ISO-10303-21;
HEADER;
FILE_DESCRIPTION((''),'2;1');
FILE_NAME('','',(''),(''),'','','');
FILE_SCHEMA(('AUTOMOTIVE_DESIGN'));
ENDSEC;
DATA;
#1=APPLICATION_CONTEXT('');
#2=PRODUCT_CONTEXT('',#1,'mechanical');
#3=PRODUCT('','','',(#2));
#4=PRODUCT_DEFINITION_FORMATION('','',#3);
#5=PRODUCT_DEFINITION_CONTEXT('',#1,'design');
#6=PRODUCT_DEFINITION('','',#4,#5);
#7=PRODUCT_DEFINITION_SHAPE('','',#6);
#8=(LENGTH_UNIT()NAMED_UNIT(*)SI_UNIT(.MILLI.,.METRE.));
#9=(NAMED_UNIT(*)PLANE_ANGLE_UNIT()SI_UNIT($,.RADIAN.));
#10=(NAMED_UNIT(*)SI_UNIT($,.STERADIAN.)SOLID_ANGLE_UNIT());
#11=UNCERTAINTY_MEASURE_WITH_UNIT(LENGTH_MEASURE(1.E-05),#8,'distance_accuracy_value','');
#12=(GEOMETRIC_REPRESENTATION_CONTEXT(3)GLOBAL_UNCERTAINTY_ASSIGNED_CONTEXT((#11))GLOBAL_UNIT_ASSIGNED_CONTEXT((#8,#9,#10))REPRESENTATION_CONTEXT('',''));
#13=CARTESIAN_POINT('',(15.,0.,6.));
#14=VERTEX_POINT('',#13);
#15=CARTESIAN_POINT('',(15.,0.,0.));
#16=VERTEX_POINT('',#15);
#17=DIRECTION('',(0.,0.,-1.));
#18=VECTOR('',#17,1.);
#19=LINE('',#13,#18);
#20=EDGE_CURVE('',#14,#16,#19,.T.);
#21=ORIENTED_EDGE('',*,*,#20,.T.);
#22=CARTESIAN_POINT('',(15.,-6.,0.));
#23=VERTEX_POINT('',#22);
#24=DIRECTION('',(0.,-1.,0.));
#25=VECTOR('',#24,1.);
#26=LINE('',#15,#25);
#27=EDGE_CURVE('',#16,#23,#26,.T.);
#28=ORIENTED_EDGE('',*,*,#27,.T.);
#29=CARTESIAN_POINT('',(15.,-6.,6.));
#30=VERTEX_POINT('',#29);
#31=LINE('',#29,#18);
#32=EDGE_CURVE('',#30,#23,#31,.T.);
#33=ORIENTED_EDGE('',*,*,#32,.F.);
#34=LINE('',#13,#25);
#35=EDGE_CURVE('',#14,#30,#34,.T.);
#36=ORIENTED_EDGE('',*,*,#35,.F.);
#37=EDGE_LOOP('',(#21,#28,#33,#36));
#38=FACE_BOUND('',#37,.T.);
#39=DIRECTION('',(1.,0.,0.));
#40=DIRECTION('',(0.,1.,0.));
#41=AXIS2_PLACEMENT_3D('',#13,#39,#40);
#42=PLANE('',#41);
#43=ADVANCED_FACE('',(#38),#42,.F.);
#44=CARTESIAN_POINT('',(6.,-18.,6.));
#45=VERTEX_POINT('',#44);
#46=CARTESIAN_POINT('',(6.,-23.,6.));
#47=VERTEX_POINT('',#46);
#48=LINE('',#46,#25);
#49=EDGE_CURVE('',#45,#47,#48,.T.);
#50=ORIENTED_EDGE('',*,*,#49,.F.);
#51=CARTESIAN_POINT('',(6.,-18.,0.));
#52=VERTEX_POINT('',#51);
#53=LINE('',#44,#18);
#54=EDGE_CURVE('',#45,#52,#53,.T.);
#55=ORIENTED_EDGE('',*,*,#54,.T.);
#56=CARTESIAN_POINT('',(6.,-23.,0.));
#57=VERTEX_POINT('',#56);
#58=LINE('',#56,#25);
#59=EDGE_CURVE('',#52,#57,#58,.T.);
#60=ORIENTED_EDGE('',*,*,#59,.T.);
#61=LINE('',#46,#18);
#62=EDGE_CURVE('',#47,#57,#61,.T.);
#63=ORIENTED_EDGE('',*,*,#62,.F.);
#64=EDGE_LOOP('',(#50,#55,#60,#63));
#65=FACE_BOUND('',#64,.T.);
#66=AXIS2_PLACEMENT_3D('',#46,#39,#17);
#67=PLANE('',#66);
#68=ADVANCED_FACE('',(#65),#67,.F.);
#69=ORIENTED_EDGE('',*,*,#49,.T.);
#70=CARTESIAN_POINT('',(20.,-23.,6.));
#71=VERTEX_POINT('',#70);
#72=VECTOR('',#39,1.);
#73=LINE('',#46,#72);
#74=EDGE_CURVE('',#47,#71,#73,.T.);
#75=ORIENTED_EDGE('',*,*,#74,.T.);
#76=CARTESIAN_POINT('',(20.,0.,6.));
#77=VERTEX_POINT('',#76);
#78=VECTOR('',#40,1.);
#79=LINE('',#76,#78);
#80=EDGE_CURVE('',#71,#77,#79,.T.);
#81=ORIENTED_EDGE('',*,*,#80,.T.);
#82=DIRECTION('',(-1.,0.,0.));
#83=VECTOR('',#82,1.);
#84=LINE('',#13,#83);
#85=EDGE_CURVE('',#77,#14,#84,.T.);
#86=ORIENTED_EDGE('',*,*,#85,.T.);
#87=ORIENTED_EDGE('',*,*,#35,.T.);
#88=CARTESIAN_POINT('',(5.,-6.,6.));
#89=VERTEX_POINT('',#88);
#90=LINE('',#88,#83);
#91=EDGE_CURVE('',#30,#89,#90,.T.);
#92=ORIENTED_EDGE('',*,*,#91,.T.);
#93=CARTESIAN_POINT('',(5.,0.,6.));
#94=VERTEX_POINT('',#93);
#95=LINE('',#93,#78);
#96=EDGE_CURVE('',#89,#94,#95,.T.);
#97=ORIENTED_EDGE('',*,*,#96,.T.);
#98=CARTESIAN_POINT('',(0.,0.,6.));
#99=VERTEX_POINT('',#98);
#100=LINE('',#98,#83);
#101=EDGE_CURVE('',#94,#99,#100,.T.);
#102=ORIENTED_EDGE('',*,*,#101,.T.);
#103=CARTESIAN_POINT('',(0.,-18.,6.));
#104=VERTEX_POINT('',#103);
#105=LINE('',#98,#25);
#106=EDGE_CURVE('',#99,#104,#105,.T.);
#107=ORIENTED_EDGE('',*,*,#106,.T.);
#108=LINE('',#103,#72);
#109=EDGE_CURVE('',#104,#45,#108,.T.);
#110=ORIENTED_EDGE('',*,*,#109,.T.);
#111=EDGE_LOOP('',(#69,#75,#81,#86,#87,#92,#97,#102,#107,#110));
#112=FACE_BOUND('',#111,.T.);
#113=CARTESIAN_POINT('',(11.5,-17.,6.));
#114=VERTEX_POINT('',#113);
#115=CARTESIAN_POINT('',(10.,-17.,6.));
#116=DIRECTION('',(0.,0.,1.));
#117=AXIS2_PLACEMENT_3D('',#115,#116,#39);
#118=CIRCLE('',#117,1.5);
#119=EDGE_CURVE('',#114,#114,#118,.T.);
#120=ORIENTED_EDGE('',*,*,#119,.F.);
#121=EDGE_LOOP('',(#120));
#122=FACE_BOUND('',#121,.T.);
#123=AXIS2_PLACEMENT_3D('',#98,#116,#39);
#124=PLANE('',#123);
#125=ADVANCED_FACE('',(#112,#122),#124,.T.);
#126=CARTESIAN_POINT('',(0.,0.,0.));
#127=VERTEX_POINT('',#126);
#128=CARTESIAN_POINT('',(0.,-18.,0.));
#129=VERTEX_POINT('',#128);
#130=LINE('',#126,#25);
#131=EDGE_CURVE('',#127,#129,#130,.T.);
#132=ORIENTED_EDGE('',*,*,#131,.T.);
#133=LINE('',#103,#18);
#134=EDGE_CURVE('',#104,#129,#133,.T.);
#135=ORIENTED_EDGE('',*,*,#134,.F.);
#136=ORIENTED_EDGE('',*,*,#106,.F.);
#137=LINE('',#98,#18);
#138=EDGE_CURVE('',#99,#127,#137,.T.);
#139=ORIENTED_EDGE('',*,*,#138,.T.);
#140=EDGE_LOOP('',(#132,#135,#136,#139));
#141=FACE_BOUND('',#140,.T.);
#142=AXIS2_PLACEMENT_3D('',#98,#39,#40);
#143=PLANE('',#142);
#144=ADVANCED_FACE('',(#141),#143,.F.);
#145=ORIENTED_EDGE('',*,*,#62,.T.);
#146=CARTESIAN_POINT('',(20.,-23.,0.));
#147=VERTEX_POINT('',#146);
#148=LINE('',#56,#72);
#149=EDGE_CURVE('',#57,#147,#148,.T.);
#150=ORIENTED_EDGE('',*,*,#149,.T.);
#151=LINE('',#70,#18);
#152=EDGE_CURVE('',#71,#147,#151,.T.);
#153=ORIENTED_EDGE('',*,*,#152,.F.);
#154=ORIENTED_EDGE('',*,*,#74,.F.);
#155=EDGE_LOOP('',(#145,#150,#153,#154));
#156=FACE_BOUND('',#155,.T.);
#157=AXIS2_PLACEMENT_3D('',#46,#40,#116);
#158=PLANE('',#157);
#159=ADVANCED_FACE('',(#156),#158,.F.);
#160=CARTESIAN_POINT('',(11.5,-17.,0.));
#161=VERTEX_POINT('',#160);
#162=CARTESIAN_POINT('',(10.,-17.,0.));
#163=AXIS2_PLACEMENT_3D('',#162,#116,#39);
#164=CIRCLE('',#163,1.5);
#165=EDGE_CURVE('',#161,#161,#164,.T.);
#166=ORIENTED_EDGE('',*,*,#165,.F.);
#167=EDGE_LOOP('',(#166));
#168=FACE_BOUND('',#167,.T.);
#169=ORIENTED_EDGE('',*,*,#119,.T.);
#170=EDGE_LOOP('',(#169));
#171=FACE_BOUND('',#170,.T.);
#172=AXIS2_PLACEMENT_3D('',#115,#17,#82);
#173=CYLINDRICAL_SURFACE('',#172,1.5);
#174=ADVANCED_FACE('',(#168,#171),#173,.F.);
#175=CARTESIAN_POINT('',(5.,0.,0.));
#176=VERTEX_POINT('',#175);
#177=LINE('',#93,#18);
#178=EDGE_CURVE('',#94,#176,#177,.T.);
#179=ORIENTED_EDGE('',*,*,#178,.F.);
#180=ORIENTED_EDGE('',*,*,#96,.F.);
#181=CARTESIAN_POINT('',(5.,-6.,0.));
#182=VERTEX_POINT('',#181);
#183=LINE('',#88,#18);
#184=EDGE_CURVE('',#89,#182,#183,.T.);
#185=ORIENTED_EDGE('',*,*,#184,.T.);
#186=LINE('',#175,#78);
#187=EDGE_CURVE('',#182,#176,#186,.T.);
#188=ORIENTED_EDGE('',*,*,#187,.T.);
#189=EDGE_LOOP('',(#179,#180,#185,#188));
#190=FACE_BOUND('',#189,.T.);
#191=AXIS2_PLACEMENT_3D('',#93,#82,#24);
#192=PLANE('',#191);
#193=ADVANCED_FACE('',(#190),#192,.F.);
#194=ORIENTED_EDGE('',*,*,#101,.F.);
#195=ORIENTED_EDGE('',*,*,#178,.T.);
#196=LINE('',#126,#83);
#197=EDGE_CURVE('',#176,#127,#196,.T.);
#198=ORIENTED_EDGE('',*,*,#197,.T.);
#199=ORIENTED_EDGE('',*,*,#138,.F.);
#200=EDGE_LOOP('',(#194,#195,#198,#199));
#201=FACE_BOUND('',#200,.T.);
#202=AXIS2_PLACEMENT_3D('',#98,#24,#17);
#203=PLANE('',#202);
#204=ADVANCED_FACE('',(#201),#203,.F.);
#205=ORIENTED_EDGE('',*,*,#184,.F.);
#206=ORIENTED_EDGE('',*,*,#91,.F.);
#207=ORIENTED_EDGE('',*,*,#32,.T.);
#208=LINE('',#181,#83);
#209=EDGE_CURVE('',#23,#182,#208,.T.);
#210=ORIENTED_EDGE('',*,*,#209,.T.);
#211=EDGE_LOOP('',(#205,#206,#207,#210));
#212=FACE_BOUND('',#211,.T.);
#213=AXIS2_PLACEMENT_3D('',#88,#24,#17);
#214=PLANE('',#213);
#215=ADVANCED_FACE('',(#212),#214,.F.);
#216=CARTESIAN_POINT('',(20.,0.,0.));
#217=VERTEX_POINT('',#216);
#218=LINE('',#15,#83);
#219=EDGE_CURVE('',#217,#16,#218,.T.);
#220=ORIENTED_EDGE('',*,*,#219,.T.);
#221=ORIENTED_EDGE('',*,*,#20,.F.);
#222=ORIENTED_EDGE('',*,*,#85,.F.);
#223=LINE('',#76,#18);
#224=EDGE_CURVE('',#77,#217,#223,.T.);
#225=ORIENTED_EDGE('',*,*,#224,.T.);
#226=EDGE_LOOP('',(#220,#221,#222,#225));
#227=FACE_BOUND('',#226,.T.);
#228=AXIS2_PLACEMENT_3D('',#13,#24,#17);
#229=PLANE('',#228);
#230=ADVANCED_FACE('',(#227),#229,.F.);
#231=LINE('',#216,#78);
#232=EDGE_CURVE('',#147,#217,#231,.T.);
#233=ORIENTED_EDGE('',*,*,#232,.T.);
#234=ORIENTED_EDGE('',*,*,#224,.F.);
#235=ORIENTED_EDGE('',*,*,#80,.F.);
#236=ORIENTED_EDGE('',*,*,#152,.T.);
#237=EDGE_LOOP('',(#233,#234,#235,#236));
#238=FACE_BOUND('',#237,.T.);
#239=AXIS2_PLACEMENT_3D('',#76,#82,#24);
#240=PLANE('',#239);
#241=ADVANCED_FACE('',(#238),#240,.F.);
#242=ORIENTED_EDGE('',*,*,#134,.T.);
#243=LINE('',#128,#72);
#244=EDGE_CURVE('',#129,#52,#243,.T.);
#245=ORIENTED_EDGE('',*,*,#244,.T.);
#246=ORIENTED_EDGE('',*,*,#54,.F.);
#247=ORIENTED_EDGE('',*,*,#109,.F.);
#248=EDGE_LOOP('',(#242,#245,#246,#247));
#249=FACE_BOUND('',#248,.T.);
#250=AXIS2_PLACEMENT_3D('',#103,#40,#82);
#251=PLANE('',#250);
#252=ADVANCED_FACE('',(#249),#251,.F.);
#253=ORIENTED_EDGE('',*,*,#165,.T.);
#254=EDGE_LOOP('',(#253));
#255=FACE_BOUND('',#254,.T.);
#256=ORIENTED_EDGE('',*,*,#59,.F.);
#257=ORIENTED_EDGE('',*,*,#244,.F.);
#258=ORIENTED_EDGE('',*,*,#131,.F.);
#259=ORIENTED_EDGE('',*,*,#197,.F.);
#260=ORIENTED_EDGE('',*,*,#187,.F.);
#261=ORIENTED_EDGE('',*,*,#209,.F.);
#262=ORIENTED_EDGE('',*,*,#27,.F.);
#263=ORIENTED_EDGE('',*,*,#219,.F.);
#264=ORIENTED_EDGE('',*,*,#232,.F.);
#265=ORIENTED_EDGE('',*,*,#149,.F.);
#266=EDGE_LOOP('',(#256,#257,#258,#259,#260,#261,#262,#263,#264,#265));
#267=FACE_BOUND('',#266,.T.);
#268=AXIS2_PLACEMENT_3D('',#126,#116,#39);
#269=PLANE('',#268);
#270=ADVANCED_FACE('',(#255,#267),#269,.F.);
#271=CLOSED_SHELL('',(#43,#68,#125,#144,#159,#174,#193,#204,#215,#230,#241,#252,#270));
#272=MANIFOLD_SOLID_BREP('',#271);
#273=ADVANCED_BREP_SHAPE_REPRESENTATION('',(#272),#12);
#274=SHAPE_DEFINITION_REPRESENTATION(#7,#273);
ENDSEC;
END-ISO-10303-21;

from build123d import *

# Parameters (mm, degrees)
SKETCH1_R           = 1.5
BOSS_EXTRUDE1_DEPTH = 6


with BuildPart() as part:
    # Sketch1 → Boss-Extrude1 (new body)
    with BuildSketch(Plane.XY):
        Polygon((15, 0), (20, 0), (20, -23), (6, -23), (6, -18), (0, -18), (0, 0), (5, 0), (5, -6), (15, -6), align=None)
        with Locations((10, -17)):
            Circle(SKETCH1_R, mode=Mode.SUBTRACT)
    extrude(amount=BOSS_EXTRUDE1_DEPTH)


solid = part.part
